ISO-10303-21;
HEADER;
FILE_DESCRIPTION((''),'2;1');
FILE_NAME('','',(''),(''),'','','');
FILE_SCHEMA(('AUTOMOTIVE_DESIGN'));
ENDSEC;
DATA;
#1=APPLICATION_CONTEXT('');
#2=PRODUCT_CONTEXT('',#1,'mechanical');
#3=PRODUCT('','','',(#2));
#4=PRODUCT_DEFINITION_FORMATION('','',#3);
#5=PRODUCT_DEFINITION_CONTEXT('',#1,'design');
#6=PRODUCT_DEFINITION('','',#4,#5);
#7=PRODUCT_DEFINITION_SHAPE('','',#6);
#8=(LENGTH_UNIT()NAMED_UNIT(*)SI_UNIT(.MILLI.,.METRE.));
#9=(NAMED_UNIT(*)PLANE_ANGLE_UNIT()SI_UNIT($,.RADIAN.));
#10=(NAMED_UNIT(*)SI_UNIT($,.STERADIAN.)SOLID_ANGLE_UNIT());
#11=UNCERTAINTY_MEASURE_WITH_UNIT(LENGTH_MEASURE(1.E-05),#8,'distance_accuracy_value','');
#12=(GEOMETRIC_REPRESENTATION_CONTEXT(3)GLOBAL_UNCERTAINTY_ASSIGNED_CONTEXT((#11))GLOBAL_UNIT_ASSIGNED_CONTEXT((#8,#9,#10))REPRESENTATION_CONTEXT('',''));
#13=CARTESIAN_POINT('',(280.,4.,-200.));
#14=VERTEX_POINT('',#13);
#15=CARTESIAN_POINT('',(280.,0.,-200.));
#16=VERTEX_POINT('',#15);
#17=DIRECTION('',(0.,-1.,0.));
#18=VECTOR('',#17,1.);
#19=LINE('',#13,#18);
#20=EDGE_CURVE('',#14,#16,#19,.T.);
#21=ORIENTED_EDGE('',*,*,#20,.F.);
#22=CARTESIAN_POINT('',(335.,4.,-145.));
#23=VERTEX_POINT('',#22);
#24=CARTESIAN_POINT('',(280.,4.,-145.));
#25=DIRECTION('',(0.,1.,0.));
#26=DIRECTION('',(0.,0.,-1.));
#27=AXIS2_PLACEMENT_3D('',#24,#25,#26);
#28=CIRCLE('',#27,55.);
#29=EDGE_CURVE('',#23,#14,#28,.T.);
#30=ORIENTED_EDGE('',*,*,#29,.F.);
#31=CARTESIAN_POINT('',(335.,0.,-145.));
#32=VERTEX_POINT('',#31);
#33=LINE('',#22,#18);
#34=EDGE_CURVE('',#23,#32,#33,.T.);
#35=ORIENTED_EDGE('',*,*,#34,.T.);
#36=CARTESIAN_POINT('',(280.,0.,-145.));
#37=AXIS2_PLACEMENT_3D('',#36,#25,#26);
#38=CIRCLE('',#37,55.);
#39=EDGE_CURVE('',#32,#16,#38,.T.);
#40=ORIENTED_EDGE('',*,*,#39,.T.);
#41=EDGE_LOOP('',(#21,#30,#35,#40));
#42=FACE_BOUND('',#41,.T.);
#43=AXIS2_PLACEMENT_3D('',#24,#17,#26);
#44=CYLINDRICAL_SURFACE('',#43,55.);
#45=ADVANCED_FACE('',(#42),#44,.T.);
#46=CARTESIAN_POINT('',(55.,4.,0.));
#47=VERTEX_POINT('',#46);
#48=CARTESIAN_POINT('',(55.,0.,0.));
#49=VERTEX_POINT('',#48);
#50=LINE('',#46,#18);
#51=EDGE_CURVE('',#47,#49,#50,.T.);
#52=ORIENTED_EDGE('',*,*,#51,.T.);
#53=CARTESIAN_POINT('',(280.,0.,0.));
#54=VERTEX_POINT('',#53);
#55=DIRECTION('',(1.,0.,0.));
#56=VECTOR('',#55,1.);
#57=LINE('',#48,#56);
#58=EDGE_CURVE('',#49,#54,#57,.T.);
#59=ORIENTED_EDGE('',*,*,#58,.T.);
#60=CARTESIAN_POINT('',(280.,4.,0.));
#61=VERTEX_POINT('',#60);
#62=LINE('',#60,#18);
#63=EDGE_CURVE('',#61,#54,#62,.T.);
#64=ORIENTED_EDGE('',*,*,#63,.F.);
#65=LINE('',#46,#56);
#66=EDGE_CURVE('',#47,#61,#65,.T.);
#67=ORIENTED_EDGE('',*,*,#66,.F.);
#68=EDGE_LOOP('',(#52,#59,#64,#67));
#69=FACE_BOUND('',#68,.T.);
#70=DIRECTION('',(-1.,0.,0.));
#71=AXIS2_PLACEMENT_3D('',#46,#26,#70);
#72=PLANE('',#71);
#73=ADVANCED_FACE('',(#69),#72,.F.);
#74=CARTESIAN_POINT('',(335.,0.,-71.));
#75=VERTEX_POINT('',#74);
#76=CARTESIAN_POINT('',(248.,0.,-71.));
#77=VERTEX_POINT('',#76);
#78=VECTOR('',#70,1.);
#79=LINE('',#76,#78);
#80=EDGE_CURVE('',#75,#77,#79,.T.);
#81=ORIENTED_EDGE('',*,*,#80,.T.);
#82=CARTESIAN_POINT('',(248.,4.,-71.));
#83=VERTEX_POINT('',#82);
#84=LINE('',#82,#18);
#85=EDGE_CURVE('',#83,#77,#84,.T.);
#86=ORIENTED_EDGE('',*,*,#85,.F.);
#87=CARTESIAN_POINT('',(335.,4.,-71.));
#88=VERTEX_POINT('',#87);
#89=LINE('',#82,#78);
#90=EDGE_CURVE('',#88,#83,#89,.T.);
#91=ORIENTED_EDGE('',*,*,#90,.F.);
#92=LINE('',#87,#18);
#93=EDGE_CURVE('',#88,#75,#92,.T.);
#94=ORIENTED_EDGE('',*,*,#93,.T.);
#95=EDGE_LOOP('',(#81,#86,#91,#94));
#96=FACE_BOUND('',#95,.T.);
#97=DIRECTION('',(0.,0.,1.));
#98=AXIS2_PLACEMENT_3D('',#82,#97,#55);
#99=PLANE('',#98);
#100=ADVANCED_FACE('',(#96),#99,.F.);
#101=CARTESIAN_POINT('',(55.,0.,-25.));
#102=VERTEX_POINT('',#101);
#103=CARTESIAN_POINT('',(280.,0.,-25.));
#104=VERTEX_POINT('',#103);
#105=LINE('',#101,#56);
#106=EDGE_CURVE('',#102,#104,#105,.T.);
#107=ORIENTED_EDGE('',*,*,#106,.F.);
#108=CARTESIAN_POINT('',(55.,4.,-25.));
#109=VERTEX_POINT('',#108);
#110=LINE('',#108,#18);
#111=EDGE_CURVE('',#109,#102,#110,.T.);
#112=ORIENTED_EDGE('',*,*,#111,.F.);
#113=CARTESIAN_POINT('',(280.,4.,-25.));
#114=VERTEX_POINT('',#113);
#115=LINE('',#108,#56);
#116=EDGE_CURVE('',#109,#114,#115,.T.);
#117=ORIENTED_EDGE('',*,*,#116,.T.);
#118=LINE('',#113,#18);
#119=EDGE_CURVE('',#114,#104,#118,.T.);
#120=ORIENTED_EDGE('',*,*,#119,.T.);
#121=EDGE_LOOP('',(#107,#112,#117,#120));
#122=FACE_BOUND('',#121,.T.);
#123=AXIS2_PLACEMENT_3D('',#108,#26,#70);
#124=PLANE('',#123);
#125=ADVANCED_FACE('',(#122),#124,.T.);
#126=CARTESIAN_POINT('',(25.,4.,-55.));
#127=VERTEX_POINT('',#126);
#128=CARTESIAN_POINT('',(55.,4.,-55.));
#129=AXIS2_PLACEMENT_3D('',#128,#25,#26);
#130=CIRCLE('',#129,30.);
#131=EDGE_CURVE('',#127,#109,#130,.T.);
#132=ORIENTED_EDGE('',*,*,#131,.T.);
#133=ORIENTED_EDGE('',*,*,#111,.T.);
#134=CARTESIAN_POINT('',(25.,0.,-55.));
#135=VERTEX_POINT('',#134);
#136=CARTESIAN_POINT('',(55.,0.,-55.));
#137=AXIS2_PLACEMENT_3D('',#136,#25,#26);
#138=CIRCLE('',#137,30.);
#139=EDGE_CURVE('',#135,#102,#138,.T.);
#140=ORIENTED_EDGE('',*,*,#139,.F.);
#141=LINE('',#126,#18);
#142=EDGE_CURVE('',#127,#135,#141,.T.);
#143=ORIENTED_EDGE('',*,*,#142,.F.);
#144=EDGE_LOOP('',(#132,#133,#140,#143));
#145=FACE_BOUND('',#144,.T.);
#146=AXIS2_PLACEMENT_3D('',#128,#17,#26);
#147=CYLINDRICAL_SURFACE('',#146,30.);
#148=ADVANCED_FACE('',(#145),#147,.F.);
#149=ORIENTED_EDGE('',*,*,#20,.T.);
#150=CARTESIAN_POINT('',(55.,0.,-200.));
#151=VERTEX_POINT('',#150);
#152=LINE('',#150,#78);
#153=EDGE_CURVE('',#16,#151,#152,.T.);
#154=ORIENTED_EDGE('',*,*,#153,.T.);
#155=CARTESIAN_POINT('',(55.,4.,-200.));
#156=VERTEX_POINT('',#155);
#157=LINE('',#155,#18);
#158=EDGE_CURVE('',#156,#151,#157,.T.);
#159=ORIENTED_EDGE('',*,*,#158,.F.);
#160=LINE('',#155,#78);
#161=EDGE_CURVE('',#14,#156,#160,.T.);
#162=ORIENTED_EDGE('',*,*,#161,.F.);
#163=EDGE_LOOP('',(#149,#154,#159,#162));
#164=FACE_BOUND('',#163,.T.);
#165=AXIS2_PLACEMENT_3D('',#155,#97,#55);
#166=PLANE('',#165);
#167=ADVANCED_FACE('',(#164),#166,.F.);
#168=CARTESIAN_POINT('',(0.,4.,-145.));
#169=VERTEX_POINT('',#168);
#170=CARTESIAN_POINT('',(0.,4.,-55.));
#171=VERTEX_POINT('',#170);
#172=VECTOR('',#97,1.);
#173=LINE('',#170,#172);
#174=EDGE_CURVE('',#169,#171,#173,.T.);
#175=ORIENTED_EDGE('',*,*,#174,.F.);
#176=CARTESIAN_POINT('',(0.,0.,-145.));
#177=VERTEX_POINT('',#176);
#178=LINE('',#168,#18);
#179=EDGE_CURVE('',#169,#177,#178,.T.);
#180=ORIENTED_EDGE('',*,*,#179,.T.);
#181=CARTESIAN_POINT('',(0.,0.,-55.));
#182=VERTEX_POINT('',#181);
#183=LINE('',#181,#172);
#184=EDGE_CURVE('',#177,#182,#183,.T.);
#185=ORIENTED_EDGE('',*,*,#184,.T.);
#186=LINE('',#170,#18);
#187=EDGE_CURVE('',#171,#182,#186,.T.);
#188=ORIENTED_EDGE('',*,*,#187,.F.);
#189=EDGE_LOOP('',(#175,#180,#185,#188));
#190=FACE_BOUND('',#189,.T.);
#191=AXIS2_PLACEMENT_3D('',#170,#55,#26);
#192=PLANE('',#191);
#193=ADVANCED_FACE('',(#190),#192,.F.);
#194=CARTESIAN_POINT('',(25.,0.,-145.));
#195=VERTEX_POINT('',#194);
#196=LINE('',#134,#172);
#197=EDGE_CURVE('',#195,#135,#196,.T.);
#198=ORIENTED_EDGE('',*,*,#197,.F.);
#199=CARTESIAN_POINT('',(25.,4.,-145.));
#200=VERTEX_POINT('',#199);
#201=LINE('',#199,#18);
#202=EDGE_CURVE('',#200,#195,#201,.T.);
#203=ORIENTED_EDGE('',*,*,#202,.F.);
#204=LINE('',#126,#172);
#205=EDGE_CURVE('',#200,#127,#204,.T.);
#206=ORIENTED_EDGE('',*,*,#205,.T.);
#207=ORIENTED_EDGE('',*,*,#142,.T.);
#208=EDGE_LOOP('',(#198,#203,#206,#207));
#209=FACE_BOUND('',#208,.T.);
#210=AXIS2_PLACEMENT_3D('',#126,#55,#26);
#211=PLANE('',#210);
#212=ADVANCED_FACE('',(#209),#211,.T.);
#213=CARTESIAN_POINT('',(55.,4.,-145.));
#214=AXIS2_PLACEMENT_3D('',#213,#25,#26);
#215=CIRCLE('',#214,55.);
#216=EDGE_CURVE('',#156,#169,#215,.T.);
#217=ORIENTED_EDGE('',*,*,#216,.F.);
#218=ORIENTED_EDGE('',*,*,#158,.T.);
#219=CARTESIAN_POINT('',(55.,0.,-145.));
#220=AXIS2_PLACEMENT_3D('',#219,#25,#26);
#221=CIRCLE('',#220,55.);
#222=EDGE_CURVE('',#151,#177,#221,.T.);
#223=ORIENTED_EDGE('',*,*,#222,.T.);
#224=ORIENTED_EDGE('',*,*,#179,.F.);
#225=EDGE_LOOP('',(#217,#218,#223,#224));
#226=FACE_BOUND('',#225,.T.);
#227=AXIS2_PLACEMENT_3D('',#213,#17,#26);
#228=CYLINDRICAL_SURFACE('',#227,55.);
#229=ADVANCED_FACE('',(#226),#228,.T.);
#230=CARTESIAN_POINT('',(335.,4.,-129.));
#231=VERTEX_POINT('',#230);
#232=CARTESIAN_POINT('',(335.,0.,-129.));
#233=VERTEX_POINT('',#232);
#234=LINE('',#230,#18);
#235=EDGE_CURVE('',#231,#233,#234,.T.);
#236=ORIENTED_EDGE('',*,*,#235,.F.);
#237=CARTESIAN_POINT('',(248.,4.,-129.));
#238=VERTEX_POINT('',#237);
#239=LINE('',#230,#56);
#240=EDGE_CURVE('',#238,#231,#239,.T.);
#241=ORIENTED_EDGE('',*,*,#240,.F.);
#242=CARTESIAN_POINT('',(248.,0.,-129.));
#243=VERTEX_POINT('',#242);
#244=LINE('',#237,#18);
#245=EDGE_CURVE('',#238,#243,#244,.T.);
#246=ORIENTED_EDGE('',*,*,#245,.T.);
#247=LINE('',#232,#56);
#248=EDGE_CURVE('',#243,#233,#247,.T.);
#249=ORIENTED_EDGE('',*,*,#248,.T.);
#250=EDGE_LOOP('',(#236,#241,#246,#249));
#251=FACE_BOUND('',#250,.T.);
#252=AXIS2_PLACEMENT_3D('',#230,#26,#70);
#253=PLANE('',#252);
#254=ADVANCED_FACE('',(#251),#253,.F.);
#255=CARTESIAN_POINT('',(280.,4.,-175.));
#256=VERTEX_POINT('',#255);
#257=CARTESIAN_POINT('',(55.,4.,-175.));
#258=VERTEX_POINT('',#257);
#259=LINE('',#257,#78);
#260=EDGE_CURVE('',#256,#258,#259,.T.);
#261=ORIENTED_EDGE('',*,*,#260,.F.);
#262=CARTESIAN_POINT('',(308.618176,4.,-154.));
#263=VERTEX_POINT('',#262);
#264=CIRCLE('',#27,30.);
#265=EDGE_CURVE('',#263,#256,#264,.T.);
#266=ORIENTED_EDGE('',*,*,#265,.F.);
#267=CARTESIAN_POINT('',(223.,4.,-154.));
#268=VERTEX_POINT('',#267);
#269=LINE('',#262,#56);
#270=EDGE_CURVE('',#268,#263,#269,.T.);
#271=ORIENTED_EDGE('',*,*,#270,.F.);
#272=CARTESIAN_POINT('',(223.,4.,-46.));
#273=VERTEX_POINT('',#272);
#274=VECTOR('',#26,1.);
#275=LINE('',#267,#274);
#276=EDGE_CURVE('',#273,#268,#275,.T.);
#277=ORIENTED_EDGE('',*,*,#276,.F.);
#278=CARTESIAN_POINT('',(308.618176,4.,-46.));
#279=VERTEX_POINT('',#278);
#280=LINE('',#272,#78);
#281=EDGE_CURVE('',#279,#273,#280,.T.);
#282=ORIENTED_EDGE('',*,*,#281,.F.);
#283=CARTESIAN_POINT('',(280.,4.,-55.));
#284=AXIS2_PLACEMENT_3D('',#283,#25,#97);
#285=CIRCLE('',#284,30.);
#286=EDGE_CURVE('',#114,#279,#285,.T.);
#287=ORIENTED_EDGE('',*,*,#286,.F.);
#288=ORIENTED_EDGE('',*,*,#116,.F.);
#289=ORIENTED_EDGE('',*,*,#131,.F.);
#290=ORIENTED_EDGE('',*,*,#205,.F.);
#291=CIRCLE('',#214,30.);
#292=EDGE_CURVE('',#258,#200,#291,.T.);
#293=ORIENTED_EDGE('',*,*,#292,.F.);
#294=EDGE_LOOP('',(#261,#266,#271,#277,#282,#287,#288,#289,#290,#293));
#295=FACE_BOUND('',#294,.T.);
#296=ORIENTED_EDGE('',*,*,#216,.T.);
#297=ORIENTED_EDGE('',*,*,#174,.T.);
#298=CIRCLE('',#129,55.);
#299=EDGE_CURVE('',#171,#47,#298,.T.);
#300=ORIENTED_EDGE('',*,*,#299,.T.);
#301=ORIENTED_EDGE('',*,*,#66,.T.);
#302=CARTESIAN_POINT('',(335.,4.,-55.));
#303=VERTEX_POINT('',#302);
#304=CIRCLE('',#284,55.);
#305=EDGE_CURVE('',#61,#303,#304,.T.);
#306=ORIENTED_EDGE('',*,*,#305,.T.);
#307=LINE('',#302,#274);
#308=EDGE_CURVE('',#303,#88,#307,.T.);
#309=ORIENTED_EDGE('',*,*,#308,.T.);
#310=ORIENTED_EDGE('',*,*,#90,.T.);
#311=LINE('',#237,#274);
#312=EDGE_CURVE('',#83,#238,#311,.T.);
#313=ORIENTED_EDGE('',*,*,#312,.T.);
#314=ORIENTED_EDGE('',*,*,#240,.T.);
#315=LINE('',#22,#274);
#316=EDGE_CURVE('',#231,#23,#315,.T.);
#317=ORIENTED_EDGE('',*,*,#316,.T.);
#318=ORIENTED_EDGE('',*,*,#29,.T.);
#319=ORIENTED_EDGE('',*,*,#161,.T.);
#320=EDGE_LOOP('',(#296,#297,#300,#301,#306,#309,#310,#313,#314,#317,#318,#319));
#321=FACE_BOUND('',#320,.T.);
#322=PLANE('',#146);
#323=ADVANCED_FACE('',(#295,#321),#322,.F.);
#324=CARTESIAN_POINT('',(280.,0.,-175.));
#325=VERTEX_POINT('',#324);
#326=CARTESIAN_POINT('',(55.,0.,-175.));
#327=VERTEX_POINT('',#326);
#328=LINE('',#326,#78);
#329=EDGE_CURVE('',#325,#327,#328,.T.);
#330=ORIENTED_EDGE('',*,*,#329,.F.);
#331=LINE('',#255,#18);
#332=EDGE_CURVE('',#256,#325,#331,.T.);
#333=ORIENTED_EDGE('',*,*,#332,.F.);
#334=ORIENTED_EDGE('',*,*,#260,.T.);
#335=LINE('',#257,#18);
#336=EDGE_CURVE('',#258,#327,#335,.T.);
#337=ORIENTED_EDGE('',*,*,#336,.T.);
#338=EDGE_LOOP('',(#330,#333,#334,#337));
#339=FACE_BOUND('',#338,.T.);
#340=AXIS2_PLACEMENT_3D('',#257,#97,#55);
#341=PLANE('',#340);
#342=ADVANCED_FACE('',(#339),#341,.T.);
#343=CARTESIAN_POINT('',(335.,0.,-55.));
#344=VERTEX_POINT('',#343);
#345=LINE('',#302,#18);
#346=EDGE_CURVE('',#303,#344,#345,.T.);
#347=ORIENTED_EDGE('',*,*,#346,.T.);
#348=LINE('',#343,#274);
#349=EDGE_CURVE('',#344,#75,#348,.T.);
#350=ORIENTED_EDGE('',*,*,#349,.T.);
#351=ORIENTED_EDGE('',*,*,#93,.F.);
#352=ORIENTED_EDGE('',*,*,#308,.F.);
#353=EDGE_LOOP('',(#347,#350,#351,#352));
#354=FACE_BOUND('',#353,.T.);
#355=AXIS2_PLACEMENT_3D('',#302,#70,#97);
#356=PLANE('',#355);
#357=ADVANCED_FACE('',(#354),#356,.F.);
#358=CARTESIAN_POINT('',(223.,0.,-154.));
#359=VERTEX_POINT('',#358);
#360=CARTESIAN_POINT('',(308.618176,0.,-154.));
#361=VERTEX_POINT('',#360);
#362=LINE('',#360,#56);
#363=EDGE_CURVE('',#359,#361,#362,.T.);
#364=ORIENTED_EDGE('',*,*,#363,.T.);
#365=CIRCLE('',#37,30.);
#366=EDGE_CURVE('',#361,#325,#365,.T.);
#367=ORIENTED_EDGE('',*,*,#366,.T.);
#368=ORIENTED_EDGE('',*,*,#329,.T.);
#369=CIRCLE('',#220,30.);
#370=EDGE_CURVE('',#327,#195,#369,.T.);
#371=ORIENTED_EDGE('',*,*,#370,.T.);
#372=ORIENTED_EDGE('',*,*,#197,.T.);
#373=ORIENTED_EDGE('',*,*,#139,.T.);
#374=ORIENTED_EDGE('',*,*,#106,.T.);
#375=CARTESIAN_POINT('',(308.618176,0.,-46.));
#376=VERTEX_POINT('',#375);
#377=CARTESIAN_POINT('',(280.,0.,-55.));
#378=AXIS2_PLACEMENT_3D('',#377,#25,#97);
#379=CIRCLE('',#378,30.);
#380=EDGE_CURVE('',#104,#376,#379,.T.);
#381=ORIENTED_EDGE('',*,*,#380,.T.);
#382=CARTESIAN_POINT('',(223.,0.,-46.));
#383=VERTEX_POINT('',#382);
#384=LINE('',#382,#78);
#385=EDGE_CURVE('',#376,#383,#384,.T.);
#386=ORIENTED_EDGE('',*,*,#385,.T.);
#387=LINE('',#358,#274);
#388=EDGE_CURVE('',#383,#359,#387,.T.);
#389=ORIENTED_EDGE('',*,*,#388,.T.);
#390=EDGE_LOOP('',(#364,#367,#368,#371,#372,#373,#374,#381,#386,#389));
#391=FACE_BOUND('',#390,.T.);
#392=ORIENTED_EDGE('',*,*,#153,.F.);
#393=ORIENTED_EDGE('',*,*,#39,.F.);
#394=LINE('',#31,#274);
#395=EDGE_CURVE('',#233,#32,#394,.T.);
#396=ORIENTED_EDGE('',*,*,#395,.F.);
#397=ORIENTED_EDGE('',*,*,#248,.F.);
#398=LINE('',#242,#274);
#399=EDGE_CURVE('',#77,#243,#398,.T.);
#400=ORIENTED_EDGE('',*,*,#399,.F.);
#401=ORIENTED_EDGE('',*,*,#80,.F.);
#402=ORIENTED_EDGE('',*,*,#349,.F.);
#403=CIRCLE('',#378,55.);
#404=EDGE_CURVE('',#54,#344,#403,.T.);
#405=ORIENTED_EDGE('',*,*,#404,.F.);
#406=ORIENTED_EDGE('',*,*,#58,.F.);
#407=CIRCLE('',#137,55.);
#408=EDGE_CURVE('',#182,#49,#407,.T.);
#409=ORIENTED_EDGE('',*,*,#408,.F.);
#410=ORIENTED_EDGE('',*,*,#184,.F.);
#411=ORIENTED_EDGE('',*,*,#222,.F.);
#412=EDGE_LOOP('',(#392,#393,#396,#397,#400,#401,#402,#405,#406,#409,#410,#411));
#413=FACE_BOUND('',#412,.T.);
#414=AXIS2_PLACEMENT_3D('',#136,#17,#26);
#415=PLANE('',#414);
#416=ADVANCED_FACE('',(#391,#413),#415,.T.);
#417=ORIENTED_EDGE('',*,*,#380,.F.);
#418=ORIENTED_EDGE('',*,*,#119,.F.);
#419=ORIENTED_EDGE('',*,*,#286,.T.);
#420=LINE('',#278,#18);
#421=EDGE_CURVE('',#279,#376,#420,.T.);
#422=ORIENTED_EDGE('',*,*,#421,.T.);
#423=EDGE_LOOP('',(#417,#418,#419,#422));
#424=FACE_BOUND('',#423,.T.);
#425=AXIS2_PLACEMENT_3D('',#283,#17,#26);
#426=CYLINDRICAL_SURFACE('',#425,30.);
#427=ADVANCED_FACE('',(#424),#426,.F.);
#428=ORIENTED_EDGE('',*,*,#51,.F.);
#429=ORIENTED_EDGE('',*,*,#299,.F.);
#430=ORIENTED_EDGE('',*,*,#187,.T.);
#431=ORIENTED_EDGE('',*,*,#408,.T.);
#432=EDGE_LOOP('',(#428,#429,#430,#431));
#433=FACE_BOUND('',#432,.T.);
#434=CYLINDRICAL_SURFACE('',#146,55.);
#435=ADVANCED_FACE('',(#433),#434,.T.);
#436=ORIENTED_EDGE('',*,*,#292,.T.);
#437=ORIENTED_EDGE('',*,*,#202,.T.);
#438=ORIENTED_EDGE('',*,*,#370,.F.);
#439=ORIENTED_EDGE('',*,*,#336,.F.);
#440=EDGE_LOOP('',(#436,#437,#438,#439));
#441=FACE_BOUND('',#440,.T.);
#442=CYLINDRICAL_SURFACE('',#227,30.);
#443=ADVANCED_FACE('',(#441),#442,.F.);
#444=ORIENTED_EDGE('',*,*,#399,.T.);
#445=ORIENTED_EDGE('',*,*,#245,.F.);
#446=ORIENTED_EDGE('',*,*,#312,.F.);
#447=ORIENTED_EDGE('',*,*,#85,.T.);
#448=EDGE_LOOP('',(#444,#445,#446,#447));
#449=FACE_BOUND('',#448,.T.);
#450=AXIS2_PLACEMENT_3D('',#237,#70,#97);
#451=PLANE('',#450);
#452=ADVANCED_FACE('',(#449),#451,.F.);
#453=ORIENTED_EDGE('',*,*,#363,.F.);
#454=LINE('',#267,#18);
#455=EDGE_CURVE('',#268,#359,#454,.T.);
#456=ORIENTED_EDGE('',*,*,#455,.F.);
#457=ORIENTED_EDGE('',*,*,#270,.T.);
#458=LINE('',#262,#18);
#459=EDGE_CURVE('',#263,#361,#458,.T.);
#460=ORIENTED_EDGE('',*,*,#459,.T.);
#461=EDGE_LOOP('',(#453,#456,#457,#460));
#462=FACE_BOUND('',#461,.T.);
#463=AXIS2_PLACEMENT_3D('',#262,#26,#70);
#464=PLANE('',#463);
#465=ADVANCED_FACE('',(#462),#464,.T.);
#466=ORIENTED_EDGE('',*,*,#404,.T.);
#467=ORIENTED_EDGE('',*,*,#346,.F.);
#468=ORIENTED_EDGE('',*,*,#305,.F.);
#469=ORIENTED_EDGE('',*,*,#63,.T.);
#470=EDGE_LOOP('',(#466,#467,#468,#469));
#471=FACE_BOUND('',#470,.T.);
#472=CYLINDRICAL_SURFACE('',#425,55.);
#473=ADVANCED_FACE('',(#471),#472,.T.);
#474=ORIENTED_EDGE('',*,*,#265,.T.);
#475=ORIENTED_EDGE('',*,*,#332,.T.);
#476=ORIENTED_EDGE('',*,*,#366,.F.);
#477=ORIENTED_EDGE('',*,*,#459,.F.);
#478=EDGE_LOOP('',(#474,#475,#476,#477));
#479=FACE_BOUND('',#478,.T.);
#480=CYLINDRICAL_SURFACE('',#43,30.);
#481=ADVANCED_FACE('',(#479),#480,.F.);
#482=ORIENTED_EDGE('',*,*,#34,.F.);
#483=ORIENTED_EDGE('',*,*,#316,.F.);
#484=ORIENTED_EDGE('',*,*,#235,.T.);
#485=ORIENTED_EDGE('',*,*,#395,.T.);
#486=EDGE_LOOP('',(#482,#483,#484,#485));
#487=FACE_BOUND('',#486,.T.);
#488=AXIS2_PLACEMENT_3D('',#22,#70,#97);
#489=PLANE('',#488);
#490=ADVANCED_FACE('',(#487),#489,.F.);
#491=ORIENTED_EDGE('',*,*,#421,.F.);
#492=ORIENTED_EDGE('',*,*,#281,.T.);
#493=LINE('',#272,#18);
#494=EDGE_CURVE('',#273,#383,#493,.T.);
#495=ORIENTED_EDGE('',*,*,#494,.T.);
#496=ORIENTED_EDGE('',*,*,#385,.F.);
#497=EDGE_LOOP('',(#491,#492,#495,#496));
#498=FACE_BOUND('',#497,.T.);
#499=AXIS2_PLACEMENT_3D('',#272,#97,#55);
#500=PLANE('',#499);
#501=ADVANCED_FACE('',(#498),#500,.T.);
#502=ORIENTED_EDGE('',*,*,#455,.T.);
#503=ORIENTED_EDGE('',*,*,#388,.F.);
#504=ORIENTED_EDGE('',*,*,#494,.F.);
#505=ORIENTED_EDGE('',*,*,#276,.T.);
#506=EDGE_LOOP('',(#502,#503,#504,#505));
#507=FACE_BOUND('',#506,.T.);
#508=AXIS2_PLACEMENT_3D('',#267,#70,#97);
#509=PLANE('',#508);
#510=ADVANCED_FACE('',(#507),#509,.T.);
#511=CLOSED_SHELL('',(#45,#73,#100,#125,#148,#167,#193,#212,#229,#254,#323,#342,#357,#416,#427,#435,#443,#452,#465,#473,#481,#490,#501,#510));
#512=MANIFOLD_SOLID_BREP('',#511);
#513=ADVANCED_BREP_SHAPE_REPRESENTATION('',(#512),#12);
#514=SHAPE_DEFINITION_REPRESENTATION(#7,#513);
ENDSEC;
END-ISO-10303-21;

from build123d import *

# Parameters (mm, degrees)
BOSS_EXTRUDE1_DEPTH = 4


with BuildPart() as part:
    # Sketch1 → Boss-Extrude1 (new body)
    with BuildSketch(Plane(origin=(0, 0, 0), x_dir=(1, 0, 0), z_dir=(0, 1, 0))):
        with BuildLine():
            Line((55, 0), (280, 0))
            ThreePointArc((280, 0), (318.890872965, 16.109127035), (335, 55))
            Line((335, 55), (335, 71))
            Line((335, 71), (248, 71))
            Line((248, 71), (248, 129))
            Line((248, 129), (335, 129))
            Line((335, 129), (335, 145))
            ThreePointArc((335, 145), (318.890872965, 183.890872965), (280, 200))
            Line((280, 200), (55, 200))
            ThreePointArc((55, 200), (16.109127035, 183.890872965), (0, 145))
            Line((0, 145), (0, 55))
            ThreePointArc((0, 55), (16.109127035, 16.109127035), (55, 0))
        make_face()
        with BuildLine():
            Line((55, 25), (280, 25))
            ThreePointArc((280, 25), (297.748239349, 30.813226755), (308.618176043, 46))
            Line((308.618176043, 46), (223, 46))
            Line((223, 46), (223, 154))
            Line((223, 154), (308.618176043, 154))
            ThreePointArc((308.618176043, 154), (297.748239349, 169.186773245), (280, 175))
            Line((280, 175), (55, 175))
            ThreePointArc((55, 175), (33.786796564, 166.213203436), (25, 145))
            Line((25, 145), (25, 55))
            ThreePointArc((25, 55), (33.786796564, 33.786796564), (55, 25))
        make_face(mode=Mode.SUBTRACT)
    extrude(amount=BOSS_EXTRUDE1_DEPTH)


solid = part.part
